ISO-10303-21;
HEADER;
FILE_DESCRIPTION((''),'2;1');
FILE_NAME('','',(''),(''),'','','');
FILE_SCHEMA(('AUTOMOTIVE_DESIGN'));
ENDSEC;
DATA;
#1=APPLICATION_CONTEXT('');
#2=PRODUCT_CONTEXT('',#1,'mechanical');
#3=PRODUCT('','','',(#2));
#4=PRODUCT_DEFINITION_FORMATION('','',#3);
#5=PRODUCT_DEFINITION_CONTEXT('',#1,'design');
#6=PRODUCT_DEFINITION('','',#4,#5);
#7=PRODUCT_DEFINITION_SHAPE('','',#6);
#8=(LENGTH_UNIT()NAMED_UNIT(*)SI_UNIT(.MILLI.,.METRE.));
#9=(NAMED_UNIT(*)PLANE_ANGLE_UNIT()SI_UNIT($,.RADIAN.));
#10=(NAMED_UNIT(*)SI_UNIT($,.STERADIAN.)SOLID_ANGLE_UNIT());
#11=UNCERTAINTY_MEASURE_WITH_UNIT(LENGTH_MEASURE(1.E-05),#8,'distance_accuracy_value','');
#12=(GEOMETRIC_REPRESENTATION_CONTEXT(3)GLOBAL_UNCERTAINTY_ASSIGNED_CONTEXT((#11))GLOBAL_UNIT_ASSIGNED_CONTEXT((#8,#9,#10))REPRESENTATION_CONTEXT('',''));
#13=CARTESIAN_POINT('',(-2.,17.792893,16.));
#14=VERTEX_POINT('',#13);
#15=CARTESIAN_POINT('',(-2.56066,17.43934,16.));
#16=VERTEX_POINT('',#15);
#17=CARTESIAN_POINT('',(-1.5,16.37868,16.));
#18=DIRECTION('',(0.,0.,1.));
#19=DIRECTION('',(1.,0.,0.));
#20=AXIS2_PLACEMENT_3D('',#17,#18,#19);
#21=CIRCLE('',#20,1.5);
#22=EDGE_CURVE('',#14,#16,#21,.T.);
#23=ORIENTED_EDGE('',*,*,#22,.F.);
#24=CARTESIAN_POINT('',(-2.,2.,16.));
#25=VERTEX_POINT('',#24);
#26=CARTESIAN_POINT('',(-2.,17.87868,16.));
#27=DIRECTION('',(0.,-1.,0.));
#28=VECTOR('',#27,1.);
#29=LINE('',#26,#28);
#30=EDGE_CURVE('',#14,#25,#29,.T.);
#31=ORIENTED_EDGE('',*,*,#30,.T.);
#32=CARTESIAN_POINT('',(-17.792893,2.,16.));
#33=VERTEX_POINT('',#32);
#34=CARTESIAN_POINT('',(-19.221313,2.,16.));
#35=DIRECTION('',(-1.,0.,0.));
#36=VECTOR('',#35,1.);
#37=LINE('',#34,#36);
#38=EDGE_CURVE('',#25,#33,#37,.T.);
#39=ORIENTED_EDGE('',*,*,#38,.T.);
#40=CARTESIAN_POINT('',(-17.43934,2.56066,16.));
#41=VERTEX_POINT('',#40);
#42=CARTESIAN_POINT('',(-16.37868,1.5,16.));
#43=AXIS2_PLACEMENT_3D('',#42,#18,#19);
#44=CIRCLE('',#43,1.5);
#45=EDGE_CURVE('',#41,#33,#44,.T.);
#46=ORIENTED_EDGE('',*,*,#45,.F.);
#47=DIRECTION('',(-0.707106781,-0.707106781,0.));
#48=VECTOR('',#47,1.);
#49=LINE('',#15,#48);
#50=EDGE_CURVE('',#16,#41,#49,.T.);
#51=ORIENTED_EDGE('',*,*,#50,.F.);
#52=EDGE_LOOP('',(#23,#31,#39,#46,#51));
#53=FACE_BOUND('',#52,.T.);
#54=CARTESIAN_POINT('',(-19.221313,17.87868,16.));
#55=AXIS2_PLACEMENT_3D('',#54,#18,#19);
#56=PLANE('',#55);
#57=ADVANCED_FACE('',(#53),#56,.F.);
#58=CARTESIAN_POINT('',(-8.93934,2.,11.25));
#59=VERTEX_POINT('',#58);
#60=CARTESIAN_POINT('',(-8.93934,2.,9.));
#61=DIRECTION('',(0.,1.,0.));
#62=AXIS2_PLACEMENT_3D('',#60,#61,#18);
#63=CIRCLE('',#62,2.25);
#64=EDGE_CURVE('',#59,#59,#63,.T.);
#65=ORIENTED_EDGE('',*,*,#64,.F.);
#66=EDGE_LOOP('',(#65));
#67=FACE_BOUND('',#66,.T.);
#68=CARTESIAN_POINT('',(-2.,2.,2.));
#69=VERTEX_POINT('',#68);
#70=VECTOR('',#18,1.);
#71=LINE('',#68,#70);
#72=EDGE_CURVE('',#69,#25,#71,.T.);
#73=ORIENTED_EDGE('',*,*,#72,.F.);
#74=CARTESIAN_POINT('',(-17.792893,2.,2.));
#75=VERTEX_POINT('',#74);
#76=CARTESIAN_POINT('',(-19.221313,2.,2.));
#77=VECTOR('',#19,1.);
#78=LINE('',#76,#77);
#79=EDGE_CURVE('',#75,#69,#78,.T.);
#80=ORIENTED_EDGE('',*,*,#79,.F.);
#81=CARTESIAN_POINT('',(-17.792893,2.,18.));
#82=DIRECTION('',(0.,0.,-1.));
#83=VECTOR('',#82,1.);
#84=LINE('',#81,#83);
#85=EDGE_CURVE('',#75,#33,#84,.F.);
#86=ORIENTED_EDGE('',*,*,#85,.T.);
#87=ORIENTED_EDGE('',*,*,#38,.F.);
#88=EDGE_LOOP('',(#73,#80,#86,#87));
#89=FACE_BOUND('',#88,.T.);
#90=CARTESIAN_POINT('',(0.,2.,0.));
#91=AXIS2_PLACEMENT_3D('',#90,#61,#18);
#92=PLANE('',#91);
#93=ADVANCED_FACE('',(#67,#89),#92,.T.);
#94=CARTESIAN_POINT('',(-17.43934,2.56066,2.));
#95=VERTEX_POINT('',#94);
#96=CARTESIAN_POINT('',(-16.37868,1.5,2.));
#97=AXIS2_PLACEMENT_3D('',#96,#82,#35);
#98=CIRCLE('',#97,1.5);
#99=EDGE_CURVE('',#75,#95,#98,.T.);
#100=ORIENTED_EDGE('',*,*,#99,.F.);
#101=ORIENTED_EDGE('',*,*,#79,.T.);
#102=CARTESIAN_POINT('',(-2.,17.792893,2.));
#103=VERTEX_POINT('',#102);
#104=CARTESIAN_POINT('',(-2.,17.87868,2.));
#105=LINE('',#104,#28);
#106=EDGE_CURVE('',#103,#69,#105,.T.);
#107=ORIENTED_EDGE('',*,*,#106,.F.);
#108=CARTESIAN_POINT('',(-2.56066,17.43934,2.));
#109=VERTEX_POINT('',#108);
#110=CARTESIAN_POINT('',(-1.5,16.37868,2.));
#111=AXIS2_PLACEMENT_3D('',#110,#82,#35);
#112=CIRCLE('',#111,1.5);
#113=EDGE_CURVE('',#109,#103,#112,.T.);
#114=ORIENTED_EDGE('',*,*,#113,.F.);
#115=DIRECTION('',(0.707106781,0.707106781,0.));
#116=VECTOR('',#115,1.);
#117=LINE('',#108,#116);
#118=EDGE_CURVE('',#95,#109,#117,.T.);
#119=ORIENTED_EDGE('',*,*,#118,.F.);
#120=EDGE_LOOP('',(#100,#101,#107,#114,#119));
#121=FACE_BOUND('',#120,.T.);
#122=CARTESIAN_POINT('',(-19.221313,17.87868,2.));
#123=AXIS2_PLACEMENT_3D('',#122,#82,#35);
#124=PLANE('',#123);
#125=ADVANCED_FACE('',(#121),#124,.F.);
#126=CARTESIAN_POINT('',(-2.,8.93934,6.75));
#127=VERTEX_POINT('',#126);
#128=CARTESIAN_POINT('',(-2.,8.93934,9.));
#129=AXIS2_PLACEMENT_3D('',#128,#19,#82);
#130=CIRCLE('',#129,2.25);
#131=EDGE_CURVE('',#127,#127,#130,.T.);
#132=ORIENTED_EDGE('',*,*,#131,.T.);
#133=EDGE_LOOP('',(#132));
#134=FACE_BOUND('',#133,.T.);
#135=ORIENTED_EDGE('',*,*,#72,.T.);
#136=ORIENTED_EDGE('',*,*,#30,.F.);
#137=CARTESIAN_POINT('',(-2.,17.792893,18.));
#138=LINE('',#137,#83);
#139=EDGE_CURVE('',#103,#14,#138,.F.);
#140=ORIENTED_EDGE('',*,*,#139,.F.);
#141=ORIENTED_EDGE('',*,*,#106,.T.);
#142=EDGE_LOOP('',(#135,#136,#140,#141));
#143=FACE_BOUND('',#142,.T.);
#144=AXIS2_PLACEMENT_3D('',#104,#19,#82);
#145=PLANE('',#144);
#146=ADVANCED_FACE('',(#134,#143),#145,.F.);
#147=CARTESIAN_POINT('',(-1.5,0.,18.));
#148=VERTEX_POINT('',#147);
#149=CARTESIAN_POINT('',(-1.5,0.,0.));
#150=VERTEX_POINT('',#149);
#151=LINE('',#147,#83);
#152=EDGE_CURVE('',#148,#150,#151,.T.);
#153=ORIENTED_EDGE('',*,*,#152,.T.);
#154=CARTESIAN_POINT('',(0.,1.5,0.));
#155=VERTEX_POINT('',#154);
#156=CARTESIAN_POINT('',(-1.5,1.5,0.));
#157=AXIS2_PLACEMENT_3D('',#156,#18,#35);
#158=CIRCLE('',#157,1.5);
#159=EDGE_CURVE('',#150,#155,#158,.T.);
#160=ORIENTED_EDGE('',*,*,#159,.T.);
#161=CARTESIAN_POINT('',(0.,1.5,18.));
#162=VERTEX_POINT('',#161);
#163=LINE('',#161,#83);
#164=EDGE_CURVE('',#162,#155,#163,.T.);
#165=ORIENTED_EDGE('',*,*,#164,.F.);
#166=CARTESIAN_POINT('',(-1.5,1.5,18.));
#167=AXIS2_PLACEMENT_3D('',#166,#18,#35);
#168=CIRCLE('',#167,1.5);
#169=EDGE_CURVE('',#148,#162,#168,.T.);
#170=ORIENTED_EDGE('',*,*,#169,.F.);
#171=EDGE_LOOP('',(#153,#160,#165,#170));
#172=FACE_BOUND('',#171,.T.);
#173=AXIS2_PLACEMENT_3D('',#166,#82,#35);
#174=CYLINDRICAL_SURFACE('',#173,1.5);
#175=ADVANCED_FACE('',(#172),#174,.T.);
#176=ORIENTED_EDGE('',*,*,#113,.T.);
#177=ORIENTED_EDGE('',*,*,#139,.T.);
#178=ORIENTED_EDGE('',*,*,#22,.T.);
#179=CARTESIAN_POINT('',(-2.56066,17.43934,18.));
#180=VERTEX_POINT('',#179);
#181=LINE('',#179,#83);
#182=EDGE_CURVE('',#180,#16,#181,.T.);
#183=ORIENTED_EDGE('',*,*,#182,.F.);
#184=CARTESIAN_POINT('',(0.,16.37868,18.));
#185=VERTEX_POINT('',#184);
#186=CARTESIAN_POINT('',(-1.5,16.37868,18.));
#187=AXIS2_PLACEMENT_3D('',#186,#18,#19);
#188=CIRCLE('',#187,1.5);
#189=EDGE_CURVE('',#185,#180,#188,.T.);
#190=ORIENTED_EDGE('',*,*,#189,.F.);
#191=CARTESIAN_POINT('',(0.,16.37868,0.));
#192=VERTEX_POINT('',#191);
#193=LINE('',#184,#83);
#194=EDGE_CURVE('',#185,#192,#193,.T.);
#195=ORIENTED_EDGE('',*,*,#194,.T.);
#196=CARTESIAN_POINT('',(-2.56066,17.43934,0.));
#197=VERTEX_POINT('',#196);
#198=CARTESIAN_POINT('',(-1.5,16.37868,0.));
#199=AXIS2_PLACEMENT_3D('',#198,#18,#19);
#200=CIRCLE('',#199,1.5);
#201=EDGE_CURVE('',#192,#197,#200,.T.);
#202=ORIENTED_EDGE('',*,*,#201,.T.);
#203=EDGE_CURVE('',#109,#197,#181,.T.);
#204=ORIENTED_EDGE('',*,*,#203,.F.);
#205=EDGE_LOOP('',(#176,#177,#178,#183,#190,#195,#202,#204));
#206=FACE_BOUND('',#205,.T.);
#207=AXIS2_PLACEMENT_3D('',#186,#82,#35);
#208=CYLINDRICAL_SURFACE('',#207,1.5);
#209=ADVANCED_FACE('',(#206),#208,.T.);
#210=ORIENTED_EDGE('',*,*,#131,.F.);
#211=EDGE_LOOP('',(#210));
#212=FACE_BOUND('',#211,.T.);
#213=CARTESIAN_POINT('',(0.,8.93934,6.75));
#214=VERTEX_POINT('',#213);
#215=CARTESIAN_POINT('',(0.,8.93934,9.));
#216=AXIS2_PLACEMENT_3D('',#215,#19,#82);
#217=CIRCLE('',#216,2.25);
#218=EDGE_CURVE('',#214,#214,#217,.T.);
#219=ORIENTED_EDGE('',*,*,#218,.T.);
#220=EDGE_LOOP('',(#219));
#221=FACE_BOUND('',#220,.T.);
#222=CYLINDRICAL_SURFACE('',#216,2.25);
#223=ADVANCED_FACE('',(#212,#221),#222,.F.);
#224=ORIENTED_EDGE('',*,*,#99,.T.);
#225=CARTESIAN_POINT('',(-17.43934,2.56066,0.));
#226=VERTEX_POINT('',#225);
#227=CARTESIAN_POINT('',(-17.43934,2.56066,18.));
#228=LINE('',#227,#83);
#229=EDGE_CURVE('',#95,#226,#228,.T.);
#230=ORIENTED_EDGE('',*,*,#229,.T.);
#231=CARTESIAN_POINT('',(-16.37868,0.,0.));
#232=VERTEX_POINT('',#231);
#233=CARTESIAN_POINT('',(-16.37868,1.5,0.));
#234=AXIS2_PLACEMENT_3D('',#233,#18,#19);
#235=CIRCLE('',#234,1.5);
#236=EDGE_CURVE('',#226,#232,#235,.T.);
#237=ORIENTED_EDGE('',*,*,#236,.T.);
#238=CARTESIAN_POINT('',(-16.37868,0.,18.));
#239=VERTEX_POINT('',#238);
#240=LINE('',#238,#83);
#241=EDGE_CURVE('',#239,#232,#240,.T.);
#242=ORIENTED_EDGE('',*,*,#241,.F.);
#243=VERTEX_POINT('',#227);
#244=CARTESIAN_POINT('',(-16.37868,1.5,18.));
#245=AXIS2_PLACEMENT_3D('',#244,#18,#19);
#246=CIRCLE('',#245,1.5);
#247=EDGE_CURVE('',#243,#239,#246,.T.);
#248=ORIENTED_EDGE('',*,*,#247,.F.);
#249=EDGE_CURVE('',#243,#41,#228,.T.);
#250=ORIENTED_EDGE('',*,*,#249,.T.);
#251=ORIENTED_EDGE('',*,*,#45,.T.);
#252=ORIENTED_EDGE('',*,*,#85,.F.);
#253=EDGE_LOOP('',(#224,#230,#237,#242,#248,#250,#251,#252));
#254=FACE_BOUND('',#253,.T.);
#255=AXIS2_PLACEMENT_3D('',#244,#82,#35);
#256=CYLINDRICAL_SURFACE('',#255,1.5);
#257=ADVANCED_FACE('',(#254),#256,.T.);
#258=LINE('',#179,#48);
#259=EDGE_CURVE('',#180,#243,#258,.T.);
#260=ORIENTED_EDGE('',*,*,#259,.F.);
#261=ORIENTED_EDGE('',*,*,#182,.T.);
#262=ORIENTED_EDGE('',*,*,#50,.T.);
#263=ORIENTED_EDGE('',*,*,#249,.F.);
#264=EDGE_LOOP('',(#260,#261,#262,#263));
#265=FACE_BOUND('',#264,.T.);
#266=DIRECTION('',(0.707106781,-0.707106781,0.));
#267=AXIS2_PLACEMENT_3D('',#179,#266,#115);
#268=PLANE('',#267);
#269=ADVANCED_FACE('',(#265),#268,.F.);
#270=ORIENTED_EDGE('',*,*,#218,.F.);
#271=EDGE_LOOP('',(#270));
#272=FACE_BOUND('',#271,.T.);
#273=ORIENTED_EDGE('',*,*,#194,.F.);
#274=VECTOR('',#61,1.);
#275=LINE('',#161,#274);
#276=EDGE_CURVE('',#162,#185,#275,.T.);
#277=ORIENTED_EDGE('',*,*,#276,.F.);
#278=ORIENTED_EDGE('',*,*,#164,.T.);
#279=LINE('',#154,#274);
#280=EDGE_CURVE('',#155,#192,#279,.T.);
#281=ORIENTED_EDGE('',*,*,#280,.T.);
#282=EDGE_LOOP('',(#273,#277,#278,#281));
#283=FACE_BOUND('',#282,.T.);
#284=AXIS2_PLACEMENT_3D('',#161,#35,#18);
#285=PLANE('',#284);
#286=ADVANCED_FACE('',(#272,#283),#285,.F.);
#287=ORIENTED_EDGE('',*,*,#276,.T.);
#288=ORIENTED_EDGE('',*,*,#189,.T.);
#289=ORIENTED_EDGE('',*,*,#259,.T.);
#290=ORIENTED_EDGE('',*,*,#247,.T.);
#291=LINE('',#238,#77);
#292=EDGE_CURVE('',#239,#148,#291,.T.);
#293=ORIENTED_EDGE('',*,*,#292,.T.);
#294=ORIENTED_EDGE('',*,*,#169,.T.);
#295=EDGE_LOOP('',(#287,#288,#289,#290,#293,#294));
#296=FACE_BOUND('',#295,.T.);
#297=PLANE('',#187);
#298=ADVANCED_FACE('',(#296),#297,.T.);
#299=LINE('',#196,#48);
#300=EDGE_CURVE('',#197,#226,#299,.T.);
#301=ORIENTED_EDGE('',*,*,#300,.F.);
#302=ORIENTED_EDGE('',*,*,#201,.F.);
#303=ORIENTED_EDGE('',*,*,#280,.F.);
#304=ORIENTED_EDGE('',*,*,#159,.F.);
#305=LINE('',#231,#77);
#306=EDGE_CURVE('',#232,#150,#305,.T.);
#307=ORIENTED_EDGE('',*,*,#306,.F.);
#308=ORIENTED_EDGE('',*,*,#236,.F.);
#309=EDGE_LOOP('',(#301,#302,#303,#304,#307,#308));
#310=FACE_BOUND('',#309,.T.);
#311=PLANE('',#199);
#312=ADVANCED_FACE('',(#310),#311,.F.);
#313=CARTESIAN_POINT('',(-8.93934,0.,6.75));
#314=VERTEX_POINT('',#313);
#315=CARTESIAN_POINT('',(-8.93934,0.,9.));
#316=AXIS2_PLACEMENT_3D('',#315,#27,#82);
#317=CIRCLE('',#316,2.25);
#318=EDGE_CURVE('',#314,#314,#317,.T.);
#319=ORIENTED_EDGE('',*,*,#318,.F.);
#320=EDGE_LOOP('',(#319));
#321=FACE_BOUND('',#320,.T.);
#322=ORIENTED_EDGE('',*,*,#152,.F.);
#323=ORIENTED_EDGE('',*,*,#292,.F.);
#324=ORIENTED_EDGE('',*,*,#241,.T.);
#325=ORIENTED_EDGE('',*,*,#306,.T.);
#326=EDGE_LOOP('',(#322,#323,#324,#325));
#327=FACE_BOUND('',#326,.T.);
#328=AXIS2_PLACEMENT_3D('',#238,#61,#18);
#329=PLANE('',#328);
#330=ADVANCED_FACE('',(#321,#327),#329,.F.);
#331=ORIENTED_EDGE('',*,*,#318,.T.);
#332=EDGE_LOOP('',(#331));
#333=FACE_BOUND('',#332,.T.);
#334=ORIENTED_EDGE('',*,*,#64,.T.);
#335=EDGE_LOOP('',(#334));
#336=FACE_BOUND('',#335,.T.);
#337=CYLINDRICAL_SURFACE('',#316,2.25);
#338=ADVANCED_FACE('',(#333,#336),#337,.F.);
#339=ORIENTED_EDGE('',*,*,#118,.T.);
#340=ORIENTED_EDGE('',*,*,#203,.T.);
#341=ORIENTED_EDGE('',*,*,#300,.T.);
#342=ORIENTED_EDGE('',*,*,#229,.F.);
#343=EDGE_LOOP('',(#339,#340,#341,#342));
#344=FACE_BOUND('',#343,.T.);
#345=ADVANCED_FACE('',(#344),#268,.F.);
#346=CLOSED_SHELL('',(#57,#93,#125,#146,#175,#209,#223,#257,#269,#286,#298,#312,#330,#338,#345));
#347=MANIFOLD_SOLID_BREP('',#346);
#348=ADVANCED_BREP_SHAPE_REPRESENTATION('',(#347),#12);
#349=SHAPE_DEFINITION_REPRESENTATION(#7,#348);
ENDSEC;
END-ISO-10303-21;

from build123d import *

# Parameters (mm, degrees)
BOSS_EXTRU_1_DEPTH      = 18
ENL_V_START             = -2
ESQUISSE2_W             = 17.221313325
ESQUISSE2_H             = 14
ENL_V_MAT_EXTRU_1_DEPTH = 30.036983947
D_GAGEMENT_M41_D        = 4.5
D_GAGEMENT_M42_D        = 4.5


with BuildPart() as part:
    # Esquisse1 → Boss.-Extru.1 (new body)
    with BuildSketch(Plane.XY):
        with BuildLine():
            Line((0, 1.5), (0, 16.378679656))
            ThreePointArc((0, 16.378679656), (-0.925974851, 17.764498955), (-2.560660172, 17.439339828))
            Line((-2.560660172, 17.439339828), (-17.439339828, 2.560660172))
            ThreePointArc((-17.439339828, 2.560660172), (-17.764498955, 0.925974851), (-16.378679656, 0))
            Line((-16.378679656, 0), (-1.5, 0))
            ThreePointArc((-1.5, 0), (-0.439339828, 0.439339828), (0, 1.5))
        make_face()
    extrude(amount=BOSS_EXTRU_1_DEPTH)

    # Esquisse2 → Enlèv. mat.-Extru.1 (cut, through all)
    with BuildSketch(Plane.XZ.offset(ENL_V_START)):
        with Locations((-10.610656663, 9)):
            Rectangle(ESQUISSE2_W, ESQUISSE2_H)
    extrude(amount=-ENL_V_MAT_EXTRU_1_DEPTH, mode=Mode.SUBTRACT)

    # Dégagement M41 (through all)
    with Locations(Plane(origin=(0, 0, 0), x_dir=(0, 0, -1), z_dir=(1, 0, 0))):
        with Locations((-9, 8.939339828)):
            Hole(D_GAGEMENT_M41_D / 2)

    # Dégagement M42 (through all)
    with Locations(Plane(origin=(0, 0, 0), x_dir=(-1, 0, 0), z_dir=(0, -1, 0))):
        with Locations((8.939339828, -9)):
            Hole(D_GAGEMENT_M42_D / 2)


solid = part.part
